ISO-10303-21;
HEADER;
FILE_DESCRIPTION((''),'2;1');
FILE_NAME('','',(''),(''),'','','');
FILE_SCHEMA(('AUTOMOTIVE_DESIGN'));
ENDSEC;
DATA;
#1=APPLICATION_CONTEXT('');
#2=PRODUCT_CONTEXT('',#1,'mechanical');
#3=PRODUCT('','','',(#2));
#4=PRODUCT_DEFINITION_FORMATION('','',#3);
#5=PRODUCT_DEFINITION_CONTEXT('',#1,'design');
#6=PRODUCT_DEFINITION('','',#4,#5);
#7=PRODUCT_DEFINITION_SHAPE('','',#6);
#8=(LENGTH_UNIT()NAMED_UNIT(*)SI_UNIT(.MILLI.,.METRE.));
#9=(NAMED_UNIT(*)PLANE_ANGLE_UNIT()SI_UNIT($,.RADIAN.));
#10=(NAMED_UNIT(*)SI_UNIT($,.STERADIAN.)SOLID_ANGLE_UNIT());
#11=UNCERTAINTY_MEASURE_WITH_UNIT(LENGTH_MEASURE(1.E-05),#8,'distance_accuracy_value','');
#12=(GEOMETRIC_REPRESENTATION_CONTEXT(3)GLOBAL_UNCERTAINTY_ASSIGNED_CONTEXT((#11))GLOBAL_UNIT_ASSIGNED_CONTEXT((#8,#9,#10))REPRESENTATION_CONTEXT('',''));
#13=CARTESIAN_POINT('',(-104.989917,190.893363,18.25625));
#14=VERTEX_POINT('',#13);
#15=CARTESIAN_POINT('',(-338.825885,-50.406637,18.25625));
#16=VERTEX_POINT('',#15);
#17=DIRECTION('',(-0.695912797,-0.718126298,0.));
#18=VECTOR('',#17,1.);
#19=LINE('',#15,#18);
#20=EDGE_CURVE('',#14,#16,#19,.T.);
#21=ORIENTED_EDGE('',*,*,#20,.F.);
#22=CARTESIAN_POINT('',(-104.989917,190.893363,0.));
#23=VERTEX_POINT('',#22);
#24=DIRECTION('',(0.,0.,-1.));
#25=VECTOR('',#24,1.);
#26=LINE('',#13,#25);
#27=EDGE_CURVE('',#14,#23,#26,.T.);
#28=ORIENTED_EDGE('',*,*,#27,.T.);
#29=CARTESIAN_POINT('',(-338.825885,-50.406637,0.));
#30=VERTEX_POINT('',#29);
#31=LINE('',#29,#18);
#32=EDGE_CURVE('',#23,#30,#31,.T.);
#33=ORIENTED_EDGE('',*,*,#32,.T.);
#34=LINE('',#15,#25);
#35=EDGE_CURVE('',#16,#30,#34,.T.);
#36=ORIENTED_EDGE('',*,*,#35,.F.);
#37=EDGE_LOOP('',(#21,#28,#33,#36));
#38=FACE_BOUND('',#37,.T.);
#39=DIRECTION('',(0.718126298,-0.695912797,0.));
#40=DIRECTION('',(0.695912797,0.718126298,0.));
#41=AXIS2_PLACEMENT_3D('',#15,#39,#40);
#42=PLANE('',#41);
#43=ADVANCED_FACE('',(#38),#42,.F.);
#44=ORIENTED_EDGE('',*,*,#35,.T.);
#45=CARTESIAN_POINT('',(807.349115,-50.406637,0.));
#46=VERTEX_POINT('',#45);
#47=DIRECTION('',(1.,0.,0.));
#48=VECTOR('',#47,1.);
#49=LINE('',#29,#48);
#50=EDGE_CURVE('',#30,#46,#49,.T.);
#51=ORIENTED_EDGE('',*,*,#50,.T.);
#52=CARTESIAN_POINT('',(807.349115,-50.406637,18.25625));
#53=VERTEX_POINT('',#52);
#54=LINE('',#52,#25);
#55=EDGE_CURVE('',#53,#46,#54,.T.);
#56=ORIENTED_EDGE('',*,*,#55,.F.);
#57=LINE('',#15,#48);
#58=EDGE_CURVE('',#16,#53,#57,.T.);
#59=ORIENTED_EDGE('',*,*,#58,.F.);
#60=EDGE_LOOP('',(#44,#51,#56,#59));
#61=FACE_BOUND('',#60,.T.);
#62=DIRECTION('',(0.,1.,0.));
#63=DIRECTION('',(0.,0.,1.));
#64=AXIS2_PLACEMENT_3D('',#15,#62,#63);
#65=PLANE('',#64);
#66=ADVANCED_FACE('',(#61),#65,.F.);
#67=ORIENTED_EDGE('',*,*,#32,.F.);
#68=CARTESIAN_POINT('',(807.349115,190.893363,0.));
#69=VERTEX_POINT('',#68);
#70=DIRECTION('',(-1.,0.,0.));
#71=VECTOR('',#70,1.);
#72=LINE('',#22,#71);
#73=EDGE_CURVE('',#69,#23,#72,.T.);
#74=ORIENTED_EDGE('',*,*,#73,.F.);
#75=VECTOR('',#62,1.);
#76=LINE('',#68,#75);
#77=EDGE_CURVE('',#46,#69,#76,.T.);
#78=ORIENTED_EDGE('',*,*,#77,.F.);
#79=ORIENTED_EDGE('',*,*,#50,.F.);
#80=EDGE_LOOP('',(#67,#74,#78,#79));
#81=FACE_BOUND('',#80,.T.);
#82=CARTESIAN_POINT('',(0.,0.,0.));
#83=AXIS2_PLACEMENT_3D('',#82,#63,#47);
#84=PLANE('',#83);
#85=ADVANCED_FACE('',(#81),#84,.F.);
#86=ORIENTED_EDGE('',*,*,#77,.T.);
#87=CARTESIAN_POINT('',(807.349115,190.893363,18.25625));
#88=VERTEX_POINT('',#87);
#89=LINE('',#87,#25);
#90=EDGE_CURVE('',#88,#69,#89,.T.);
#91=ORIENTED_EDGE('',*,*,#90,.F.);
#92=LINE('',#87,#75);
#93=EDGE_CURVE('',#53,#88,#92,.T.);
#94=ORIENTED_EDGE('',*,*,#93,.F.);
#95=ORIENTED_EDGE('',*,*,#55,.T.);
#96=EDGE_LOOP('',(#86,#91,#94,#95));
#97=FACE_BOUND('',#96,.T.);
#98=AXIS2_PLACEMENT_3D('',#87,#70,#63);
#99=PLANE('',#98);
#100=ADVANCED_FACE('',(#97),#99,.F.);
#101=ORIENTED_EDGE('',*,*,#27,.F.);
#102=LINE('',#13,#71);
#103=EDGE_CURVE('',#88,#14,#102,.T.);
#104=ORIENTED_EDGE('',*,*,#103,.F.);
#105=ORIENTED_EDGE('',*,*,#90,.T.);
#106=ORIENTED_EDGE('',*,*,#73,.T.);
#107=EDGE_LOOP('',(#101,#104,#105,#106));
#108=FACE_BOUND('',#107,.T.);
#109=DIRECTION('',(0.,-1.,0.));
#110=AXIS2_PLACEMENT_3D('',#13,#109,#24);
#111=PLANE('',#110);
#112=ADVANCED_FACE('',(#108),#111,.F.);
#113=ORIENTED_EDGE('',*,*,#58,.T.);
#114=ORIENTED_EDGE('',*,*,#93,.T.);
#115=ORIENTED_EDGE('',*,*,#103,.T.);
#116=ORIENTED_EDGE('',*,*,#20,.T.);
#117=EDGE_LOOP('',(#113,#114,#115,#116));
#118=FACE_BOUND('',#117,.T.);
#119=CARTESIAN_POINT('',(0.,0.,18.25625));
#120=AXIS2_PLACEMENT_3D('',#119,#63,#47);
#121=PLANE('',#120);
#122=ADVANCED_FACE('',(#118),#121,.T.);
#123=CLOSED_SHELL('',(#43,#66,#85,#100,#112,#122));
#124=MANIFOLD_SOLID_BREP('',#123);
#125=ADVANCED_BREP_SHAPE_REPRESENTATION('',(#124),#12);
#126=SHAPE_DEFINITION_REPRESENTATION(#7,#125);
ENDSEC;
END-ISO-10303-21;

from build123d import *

# Parameters (mm, degrees)
BOSS_EXTRUDE1_DEPTH = 18.25625


with BuildPart() as part:
    # Sketch1 → Boss-Extrude1 (new body)
    with BuildSketch(Plane.XY):
        Polygon((-338.825884956, -50.406637168), (-104.989917187, 190.893362832), (807.349115044, 190.893362832), (807.349115044, -50.406637168), align=None)
    extrude(amount=BOSS_EXTRUDE1_DEPTH)


solid = part.part
